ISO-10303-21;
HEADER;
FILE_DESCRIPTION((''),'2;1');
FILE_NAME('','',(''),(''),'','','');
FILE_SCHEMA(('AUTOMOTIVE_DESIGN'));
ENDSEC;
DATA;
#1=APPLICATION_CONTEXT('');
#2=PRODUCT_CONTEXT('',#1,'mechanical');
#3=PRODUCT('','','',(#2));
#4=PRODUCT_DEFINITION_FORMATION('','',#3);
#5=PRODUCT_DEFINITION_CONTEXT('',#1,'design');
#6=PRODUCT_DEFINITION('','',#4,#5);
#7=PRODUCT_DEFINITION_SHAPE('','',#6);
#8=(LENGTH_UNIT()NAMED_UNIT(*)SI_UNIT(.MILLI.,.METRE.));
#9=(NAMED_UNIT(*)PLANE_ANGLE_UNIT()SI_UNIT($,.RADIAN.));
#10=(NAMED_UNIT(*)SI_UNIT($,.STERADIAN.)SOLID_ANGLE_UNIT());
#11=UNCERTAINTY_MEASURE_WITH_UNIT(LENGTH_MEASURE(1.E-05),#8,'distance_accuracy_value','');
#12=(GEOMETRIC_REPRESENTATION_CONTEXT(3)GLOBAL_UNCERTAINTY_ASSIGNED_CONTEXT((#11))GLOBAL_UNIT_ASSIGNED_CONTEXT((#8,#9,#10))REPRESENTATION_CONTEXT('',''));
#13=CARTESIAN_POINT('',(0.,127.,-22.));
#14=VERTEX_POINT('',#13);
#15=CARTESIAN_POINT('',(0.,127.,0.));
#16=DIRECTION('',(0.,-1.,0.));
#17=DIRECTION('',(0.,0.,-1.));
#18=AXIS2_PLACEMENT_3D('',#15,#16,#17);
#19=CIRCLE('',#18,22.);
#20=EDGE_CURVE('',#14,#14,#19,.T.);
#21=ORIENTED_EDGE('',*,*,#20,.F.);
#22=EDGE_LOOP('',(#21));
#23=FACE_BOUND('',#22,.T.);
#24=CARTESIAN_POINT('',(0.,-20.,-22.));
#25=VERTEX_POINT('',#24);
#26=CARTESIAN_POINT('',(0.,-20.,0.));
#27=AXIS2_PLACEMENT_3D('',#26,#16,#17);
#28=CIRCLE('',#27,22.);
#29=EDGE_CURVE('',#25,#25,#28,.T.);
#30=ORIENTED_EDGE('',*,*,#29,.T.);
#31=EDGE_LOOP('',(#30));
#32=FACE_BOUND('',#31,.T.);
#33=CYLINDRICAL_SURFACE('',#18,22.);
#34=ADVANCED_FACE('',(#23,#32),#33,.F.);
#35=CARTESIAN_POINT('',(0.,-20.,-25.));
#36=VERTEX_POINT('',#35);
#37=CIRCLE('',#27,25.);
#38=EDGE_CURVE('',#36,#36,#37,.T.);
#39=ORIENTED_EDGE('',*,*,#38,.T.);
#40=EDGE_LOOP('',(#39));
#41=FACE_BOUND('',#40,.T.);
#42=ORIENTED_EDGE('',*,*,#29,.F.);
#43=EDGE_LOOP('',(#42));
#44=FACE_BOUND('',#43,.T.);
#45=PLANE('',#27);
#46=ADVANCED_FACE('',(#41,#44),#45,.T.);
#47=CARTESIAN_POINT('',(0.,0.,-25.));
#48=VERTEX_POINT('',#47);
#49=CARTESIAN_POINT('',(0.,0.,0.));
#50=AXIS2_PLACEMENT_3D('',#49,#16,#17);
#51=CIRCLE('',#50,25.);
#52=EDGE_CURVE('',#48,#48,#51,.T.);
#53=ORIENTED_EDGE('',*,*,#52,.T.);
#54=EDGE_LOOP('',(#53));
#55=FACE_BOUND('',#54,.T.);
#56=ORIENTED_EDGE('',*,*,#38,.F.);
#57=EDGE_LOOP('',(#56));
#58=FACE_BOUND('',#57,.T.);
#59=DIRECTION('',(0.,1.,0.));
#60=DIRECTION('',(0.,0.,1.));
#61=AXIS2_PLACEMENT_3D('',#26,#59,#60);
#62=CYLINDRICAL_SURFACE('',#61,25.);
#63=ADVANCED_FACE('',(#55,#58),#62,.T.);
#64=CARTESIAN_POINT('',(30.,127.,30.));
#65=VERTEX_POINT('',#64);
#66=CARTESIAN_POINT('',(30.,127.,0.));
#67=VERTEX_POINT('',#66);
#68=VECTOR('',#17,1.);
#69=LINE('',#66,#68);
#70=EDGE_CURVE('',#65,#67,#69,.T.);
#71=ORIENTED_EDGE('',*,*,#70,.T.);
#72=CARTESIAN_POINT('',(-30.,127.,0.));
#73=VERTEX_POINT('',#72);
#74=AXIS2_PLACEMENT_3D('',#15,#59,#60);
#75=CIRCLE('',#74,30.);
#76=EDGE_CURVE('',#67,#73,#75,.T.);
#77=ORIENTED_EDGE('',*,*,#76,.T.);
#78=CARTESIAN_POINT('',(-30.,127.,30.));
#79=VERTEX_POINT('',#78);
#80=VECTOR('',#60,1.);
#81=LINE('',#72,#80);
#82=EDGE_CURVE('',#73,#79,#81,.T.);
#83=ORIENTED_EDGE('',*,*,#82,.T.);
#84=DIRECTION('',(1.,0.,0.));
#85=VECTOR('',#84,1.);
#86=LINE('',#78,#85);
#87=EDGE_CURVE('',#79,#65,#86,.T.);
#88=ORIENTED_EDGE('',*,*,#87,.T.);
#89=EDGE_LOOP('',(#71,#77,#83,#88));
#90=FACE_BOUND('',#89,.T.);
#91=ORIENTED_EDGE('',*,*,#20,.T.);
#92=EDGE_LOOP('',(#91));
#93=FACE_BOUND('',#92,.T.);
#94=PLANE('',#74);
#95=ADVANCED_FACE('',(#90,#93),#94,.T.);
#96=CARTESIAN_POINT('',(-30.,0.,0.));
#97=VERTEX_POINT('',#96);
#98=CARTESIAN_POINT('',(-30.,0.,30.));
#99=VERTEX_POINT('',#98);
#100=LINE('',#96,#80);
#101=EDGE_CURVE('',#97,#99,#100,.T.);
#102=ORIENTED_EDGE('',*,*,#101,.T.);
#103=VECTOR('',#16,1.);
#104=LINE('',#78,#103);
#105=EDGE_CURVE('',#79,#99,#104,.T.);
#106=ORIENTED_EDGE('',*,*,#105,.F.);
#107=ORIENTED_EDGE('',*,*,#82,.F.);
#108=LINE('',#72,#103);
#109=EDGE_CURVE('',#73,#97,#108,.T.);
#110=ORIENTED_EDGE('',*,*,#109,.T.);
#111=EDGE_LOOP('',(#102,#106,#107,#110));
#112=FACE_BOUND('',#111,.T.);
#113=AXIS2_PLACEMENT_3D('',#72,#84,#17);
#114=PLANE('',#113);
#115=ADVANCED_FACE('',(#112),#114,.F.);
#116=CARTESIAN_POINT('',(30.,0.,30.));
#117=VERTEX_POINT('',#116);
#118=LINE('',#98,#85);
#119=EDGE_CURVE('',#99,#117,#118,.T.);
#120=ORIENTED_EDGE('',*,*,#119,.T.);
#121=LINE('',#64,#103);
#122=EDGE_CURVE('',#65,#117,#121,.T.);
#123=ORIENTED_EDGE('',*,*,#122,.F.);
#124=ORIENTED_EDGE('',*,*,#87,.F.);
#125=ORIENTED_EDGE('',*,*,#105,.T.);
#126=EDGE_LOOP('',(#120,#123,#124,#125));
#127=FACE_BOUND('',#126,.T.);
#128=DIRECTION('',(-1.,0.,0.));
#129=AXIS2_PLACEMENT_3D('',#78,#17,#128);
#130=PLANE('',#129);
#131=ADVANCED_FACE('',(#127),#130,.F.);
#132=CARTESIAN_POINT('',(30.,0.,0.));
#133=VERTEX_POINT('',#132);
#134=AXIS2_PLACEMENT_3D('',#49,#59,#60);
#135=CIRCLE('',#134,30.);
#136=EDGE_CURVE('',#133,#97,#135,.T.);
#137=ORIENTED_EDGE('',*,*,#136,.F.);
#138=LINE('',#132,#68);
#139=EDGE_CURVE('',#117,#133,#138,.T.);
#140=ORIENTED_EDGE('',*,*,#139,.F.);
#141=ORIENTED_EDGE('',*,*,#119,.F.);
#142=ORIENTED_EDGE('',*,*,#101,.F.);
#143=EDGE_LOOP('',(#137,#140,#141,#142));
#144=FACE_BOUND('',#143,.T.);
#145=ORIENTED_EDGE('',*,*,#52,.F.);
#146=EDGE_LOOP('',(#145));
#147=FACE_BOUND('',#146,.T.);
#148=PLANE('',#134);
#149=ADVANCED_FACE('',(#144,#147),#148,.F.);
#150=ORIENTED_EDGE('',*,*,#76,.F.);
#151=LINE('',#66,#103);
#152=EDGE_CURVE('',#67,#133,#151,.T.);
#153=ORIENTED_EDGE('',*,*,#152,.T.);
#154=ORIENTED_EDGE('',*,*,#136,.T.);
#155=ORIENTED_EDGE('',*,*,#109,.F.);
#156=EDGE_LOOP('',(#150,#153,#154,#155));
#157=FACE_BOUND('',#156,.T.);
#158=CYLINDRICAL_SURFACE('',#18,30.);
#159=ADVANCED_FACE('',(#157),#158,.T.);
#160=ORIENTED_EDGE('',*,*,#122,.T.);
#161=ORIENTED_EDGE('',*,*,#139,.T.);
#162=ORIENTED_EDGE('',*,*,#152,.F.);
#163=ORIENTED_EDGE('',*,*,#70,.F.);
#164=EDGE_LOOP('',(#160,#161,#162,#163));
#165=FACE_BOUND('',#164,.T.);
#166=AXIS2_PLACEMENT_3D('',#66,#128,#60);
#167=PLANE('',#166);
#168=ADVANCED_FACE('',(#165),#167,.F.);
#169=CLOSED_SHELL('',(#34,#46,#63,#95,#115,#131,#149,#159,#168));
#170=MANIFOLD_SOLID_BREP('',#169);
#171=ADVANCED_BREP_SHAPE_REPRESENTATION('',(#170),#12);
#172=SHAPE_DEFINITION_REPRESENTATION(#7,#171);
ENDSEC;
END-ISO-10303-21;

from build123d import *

# Parameters (mm, degrees)
BOSS_EXTRUDE1_DEPTH = 127
SKETCH3_R           = 25
BOSS_EXTRUDE2_DEPTH = 20
SKETCH4_R           = 22
CUT_EXTRUDE2_DEPTH  = 148


with BuildPart() as part:
    # Sketch1 → Boss-Extrude1 (new body)
    with BuildSketch(Plane(origin=(0, 0, 0), x_dir=(1, 0, 0), z_dir=(0, 1, 0))):
        with BuildLine():
            Line((-30, 0), (-30, -30))
            Line((-30, -30), (30, -30))
            Line((30, -30), (30, 0))
            ThreePointArc((30, 0), (0, 30), (-30, 0))
        make_face()
    extrude(amount=BOSS_EXTRUDE1_DEPTH)

    # Sketch3 → Boss-Extrude2 (add)
    with BuildSketch(Plane(origin=(0, 0, 0), x_dir=(-1, 0, 0), z_dir=(0, -1, 0))):
        Circle(SKETCH3_R)
    extrude(amount=BOSS_EXTRUDE2_DEPTH)

    # Sketch4 → Cut-Extrude2 (cut, through all)
    with BuildSketch(Plane(origin=(0, -20, 0), x_dir=(-1, 0, 0), z_dir=(0, -1, 0))):
        Circle(SKETCH4_R)
    extrude(amount=-CUT_EXTRUDE2_DEPTH, mode=Mode.SUBTRACT)


solid = part.part
